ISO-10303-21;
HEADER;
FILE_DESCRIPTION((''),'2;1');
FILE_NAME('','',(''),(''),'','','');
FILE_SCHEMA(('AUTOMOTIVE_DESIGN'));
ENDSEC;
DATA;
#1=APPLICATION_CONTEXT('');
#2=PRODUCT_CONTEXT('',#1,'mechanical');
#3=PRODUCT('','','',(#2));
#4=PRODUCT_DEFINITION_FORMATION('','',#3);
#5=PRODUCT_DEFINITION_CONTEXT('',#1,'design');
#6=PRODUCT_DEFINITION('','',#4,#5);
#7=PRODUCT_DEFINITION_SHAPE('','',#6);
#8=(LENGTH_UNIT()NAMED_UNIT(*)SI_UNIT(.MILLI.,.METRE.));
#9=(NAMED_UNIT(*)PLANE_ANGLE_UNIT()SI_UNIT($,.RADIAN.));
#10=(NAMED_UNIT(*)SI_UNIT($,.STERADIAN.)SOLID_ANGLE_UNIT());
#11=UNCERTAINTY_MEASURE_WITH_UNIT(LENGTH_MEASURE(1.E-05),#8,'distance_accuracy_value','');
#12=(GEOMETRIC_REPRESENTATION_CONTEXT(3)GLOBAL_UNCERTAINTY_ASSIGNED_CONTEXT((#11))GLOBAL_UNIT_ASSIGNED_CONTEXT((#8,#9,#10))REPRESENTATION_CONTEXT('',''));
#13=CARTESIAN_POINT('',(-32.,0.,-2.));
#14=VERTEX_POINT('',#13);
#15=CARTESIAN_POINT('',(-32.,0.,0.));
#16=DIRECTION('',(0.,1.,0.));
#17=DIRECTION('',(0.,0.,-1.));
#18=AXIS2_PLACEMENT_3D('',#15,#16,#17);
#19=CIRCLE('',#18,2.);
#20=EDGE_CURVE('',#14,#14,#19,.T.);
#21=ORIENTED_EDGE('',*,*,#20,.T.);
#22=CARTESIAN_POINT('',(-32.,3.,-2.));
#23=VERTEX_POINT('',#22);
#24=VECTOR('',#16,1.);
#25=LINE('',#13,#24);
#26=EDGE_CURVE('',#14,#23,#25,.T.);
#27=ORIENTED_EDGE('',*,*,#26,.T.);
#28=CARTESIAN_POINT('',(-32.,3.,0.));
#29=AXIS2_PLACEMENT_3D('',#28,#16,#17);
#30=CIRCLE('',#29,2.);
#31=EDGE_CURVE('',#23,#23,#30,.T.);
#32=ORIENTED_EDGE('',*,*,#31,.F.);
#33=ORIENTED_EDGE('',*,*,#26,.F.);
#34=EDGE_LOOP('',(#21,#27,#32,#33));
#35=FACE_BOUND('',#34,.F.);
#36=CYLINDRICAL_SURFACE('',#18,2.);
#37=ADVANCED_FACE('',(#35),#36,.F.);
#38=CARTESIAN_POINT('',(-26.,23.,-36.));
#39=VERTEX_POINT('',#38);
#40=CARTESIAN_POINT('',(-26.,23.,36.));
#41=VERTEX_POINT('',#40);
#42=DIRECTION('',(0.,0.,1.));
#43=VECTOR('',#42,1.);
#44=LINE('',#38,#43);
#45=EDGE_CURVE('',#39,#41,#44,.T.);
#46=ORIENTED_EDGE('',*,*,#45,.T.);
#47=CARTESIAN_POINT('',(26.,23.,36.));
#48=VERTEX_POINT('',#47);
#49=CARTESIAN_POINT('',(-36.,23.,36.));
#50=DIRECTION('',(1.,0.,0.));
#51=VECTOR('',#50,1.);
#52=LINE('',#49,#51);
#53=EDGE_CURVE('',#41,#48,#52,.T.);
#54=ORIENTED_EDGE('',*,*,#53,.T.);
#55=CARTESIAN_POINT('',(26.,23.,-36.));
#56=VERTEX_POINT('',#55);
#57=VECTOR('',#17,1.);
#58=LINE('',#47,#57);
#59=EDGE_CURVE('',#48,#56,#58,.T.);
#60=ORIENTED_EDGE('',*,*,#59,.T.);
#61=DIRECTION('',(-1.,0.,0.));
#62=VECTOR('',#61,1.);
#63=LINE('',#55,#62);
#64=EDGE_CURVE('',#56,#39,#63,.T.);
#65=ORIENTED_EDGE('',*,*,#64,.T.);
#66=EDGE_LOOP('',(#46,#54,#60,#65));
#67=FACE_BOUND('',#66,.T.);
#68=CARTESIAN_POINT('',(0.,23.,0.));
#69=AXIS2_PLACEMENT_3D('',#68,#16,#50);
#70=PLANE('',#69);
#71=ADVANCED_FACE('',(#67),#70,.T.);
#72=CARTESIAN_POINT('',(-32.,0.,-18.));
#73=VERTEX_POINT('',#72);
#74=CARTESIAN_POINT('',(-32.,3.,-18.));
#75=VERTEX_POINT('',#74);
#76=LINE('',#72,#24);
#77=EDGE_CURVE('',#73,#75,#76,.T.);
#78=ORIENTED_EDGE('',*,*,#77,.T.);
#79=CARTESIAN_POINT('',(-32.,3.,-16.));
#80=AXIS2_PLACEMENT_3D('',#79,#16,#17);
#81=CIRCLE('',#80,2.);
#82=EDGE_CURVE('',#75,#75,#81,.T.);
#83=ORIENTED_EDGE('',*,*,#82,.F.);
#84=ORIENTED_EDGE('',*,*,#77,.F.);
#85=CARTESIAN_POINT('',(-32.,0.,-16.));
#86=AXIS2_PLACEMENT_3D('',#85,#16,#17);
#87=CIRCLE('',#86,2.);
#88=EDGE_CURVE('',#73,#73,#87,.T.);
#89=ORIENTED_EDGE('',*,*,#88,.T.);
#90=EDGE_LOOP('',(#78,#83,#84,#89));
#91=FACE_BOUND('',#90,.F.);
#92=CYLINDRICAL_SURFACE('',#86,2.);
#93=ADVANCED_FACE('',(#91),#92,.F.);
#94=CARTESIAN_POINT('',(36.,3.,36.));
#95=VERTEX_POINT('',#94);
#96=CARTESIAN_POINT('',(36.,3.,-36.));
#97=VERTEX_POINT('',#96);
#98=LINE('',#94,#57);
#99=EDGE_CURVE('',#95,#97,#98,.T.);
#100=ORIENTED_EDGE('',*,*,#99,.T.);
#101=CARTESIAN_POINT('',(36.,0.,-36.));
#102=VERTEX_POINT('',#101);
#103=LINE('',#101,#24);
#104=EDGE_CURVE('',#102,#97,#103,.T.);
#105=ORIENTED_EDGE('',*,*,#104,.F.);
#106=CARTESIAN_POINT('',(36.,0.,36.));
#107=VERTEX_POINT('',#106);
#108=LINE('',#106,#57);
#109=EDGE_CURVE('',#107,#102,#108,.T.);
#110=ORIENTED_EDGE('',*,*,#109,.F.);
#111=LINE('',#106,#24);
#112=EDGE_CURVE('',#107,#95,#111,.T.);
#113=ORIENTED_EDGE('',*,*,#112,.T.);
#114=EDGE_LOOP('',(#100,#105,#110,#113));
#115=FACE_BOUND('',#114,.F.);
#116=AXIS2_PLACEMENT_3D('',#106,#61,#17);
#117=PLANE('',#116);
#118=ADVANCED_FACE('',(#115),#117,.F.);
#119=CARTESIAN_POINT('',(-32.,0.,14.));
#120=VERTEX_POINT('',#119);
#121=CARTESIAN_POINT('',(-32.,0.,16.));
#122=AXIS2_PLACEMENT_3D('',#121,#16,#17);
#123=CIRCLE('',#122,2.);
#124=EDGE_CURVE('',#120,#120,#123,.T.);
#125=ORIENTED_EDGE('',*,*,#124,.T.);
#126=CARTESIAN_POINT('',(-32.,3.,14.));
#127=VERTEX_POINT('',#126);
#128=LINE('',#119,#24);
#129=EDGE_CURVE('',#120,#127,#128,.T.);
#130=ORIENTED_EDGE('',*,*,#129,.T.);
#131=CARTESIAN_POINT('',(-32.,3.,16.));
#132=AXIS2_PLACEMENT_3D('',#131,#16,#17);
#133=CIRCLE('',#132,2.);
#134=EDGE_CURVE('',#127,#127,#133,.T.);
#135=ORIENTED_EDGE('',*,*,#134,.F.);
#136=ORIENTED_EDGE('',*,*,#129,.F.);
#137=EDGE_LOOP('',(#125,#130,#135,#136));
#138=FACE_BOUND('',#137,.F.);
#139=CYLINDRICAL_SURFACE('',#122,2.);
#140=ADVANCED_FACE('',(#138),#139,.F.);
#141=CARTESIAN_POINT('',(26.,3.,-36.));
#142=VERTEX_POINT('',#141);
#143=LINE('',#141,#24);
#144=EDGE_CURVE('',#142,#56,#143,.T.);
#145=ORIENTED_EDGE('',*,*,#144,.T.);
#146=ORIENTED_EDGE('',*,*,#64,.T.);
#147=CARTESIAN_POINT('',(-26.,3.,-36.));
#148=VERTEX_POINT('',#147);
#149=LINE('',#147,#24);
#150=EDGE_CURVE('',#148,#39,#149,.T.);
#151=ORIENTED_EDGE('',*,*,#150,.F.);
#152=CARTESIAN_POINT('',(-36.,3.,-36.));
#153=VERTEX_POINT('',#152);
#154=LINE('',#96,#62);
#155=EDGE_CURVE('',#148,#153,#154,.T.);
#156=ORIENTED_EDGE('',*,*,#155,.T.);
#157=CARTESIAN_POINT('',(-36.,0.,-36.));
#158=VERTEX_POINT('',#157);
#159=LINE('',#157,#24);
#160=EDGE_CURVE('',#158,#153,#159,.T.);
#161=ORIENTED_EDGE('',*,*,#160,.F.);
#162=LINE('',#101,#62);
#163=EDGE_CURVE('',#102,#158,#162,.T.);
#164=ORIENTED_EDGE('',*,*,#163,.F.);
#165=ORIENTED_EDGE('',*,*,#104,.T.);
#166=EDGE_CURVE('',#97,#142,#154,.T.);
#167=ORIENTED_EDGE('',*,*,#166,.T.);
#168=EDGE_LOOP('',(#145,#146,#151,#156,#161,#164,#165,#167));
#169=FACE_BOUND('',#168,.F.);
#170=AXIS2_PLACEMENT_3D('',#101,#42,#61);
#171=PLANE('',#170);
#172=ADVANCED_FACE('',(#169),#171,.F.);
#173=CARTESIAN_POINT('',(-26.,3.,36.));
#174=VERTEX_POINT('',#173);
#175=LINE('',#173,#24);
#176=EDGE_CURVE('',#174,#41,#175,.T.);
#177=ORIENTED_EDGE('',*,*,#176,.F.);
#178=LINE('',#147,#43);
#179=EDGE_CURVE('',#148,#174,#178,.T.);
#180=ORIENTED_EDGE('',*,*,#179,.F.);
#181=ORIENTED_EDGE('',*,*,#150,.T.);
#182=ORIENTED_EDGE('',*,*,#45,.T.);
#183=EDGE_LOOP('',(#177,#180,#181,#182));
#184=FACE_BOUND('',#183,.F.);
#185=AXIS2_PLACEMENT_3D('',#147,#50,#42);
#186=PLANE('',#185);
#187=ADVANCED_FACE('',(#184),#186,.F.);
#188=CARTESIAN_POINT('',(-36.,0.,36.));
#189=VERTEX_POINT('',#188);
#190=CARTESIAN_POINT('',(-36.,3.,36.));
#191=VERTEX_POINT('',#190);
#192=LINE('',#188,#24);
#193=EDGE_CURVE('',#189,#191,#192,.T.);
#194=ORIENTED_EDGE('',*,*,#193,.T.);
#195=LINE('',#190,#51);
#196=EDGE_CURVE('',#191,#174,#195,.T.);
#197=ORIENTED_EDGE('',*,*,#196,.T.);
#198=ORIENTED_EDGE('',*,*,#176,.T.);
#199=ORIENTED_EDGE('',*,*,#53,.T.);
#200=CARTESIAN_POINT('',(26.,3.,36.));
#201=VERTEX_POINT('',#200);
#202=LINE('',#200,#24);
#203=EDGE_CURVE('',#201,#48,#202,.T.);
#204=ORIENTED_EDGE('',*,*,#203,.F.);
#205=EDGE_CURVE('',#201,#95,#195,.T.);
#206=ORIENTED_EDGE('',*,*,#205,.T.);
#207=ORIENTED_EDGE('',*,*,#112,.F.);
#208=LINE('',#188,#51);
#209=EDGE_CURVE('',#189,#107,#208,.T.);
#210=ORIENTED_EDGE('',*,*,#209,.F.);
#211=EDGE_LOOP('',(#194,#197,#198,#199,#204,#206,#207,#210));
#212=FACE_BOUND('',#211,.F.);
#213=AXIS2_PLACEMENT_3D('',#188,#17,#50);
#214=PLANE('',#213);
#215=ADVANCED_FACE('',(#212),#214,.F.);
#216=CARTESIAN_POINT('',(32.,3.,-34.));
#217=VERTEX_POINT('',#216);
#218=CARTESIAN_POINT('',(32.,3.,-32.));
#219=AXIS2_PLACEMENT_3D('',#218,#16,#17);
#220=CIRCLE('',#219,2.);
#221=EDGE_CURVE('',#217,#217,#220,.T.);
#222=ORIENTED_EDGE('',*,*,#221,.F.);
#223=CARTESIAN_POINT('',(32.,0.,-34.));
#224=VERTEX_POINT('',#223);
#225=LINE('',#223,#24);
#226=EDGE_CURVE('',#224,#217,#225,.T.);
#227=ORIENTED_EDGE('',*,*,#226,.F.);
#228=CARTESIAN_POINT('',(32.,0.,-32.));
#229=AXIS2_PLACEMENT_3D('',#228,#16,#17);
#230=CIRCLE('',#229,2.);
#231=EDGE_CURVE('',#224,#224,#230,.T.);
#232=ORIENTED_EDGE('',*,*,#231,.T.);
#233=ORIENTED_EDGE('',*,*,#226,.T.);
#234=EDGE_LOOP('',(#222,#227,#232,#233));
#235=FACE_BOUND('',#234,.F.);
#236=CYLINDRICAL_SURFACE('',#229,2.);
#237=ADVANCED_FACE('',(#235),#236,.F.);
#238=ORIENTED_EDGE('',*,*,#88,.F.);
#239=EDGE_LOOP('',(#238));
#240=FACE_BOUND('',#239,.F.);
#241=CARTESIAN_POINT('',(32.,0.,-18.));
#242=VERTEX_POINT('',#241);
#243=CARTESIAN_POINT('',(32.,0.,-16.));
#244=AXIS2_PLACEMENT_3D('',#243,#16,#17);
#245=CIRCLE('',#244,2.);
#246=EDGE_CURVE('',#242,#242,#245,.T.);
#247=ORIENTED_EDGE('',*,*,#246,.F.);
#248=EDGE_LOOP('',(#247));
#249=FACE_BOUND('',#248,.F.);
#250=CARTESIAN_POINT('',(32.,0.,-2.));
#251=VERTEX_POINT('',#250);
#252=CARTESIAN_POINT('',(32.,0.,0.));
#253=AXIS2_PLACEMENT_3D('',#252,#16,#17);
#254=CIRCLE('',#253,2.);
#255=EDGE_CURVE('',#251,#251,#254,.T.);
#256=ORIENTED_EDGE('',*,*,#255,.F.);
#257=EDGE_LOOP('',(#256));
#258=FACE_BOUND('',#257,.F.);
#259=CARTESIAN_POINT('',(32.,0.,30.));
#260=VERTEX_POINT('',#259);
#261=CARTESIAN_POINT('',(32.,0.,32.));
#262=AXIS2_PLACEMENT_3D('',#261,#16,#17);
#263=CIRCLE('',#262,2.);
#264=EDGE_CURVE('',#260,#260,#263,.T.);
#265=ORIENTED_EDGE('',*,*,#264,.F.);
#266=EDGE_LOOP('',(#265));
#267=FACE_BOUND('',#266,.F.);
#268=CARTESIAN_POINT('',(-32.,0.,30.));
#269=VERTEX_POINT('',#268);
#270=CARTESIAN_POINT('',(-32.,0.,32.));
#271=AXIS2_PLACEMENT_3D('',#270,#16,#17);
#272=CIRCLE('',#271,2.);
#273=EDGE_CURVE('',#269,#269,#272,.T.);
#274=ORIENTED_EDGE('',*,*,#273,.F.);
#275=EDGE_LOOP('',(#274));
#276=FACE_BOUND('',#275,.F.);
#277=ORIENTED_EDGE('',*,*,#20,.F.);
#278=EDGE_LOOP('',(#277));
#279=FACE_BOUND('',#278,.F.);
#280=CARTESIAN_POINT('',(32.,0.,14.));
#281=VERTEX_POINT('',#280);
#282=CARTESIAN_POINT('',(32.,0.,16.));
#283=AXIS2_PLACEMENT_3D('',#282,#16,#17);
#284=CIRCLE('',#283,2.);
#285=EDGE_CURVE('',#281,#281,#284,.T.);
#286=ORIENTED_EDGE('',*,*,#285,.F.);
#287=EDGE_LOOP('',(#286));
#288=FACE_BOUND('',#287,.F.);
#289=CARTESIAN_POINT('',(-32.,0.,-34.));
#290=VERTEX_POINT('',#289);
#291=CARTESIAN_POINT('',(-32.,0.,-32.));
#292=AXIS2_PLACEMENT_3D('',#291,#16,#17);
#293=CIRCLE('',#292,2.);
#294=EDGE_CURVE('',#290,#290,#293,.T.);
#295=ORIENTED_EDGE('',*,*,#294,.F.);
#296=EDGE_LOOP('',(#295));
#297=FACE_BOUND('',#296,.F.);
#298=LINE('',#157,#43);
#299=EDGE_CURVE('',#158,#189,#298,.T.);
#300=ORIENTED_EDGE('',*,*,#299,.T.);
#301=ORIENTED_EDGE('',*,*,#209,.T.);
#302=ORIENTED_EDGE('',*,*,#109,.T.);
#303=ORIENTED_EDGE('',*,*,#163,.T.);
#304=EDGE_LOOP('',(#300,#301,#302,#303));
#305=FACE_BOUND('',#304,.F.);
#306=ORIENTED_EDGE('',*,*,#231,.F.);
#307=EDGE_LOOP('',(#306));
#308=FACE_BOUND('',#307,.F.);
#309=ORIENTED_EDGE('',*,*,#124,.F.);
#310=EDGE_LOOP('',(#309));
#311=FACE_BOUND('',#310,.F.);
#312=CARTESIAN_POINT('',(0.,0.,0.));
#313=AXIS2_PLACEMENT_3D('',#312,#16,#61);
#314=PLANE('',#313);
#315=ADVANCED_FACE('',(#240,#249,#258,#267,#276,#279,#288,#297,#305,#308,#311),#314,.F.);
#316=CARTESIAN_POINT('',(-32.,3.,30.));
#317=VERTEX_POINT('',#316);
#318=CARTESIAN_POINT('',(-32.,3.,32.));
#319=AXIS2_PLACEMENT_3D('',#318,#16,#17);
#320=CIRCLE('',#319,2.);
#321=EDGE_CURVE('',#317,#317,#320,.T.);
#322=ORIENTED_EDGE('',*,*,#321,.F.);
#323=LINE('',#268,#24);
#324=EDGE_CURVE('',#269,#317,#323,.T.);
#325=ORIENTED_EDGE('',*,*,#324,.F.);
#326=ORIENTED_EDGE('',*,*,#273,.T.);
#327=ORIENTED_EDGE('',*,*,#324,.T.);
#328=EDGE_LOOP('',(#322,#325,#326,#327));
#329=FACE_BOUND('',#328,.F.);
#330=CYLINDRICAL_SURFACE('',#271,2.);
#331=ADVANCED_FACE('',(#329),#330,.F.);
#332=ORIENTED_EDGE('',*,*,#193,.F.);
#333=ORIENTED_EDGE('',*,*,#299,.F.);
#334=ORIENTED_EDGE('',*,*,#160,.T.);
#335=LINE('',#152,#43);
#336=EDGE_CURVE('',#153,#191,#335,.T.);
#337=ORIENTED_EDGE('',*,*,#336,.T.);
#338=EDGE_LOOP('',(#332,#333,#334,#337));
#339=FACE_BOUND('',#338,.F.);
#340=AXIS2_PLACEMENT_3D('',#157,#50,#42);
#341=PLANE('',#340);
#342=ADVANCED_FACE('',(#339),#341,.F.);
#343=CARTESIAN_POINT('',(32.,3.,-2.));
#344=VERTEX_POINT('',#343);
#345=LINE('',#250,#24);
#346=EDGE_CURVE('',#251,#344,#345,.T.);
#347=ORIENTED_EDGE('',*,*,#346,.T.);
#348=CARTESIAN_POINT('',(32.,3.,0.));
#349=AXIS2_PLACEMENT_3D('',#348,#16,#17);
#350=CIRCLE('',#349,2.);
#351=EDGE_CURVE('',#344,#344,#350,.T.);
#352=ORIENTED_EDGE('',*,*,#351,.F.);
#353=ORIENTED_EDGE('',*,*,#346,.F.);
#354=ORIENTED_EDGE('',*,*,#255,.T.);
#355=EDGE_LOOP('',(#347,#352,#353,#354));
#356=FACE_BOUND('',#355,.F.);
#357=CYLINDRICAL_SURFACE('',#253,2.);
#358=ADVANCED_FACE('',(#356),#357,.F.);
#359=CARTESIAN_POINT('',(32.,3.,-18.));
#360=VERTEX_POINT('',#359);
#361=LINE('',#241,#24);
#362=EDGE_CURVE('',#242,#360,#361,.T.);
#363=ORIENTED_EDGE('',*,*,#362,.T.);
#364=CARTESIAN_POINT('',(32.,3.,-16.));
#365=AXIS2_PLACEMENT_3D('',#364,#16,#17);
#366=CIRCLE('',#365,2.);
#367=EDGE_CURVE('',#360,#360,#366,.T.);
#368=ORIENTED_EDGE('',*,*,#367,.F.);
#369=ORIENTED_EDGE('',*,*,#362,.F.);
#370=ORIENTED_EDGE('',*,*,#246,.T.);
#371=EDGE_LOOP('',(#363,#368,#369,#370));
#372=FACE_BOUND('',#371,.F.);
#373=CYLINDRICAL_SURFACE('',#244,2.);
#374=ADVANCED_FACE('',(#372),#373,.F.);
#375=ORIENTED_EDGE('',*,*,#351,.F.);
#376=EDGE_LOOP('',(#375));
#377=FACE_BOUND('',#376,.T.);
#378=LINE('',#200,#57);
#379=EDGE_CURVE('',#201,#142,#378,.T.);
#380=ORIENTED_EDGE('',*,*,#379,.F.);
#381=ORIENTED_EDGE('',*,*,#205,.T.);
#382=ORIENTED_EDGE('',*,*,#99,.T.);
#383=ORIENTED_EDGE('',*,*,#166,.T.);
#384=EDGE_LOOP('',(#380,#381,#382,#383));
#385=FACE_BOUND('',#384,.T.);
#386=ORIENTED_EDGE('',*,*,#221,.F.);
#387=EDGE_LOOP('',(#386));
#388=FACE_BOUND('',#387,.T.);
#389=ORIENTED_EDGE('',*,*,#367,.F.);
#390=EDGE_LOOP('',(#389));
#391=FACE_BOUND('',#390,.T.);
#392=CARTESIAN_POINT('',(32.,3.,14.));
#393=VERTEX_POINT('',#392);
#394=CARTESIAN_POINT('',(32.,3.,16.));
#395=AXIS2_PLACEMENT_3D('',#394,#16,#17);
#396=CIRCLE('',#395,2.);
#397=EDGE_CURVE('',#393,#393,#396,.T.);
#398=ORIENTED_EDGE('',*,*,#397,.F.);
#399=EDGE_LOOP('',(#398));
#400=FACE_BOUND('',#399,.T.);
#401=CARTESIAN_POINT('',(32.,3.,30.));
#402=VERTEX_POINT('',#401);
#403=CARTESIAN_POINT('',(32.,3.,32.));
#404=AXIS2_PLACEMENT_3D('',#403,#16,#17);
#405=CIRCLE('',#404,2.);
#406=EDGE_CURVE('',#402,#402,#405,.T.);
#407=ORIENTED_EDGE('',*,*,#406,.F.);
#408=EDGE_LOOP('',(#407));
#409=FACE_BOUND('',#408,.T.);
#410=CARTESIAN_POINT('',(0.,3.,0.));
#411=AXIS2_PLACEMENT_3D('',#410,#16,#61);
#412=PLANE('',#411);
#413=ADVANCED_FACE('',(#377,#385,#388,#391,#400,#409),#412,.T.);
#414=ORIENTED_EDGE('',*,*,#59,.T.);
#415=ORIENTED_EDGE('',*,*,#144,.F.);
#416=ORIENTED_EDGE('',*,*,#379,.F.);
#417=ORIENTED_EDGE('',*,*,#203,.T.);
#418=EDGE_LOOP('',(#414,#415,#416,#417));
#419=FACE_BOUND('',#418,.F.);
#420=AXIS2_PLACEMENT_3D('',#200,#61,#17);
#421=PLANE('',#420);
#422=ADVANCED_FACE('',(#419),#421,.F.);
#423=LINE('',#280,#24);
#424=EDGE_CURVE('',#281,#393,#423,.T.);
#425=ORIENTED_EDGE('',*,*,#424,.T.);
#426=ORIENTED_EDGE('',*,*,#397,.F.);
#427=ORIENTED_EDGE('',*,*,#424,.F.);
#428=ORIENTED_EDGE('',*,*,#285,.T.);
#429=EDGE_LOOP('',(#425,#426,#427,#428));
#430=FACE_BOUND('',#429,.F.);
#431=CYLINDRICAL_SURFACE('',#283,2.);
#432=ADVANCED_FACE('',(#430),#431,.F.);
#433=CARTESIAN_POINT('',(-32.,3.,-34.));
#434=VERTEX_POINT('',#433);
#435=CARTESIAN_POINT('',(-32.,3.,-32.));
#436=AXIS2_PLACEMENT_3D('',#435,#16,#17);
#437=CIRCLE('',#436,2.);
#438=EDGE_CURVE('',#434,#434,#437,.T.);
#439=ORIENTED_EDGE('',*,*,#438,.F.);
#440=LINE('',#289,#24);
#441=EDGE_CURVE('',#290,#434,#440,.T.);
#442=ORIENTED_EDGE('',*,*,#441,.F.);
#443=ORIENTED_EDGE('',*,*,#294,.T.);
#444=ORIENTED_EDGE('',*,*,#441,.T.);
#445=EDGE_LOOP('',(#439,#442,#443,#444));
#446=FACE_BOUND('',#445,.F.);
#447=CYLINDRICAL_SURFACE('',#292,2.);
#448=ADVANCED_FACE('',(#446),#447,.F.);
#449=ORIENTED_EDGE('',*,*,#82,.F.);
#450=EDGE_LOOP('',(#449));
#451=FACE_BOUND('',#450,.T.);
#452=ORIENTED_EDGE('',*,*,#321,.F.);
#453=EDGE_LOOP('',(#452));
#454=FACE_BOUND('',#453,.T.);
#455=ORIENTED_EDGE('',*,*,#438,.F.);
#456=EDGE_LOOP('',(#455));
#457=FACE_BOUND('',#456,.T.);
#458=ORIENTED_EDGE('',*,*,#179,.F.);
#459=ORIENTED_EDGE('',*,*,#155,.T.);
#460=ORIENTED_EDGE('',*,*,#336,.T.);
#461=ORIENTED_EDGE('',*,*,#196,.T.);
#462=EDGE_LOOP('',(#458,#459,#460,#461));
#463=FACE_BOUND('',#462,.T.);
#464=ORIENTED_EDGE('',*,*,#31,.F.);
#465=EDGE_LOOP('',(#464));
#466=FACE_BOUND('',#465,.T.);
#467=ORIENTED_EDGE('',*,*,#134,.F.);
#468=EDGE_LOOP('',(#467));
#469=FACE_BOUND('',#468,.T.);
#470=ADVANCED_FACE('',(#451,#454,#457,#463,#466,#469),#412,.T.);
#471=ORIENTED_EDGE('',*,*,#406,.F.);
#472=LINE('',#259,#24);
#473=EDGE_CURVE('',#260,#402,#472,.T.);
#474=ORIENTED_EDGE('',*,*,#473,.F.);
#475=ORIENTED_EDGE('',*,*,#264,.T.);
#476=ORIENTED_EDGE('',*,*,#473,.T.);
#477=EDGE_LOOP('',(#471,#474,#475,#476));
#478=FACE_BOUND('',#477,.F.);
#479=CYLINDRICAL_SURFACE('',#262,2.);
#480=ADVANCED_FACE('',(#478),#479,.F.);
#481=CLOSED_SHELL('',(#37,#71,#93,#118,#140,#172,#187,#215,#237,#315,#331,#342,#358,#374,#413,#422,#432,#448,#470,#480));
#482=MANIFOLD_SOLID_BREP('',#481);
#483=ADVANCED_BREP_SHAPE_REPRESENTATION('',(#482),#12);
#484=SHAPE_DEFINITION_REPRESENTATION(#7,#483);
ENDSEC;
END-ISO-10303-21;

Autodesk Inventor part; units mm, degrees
ref_plane "YZ Plane" through (0, 0, 0) normal (1, 0, 0) x (0, 1, 0)
ref_plane "XZ Plane" through (0, 0, 0) normal (0, 1, 0) x (-1, 0, 0)
ref_plane "XY Plane" through (0, 0, 0) normal (0, 0, 1) x (1, 0, 0)
sketch "Sketch1" plane through (0, 0, 0) normal (0, 1, 0) x (-1, 0, 0)
  line L0 (-36, -36) -> (36, -36)
  line L1 (36, -36) -> (36, 36)
  line L2 (36, 36) -> (-36, 36)
  line L3 (-36, 36) -> (-36, -36)
  line L4 (-36, -36) -> (36, 36) construction
  line L5 (36, -36) -> (-36, 36) construction
  point P0 (0, 0)
  dimension "d0" = 72
  dimension "d1" = 72
extrude "Extrusion1" add sketch "Sketch1" along normal blind 3
sketch "Sketch2" plane through (0, 3, 0) normal (0, 1, 0) x (1, 0, 0)
  line L0 (-36, -36) -> (36, -36) projected
  line L1 (26, 36) -> (-26, 36)
  line L2 (-26, 36) -> (-26, -36)
  line L3 (-26, -36) -> (26, -36)
  line L4 (26, -36) -> (26, 36)
  line L5 (26, 36) -> (-26, -36) construction
  line L6 (-26, 36) -> (26, -36) construction
  point P0 (0, 0)
  dimension "d4" = 52
extrude "Extrusion2" add sketch "Sketch2" along normal blind 20
sketch "Sketch3" plane through (0, 0, 0) normal (0, -1, 0) x (1, 0, 0)
  line L0 (-36, 36) -> (36, 36) projected
  line L1 (-36, 36) -> (-32, 36)
  line L2 (-32, 36) -> (-32, 32)
  line L3 (-32, 32) -> (-36, 32)
  line L4 (-36, 32) -> (-36, 36)
  circle A0 centre (-32, 16) radius 1.85 projected
  circle A1 centre (-32, 0) radius 1.85 projected
  circle A2 centre (-32, -16) radius 1.85 projected
  circle A3 centre (-32, -32) radius 1.85 projected
  point P0 (0, 0)
  dimension "d7" = 4
  dimension "d8" = 4
hole "Hole2" at (-32, 0, 32) at (-32, 0, 16) at (-32, 0, 0) at (-32, 0, -16) at (-32, 0, -32) direction (0, 1, 0) diameter 4 end through all
sketch "Sketch4" plane through (0, 0, 0) normal (0, -1, 0) x (1, 0, 0)
  circle A0 centre (32, -32) radius 1.85 projected
  circle A1 centre (32, -16) radius 1.85 projected
  circle A2 centre (32, 0) radius 1.85 projected
  circle A3 centre (32, 16) radius 1.85 projected
  circle A4 centre (32, 32) radius 1.85 projected
  point P0 (0, 0)
hole "Hole4" at (32, 0, 32) at (32, 0, 16) at (32, 0, 0) at (32, 0, -16) at (32, 0, -32) direction (0, 1, 0) diameter 4 end through all
properties part number "Legacy Module"
